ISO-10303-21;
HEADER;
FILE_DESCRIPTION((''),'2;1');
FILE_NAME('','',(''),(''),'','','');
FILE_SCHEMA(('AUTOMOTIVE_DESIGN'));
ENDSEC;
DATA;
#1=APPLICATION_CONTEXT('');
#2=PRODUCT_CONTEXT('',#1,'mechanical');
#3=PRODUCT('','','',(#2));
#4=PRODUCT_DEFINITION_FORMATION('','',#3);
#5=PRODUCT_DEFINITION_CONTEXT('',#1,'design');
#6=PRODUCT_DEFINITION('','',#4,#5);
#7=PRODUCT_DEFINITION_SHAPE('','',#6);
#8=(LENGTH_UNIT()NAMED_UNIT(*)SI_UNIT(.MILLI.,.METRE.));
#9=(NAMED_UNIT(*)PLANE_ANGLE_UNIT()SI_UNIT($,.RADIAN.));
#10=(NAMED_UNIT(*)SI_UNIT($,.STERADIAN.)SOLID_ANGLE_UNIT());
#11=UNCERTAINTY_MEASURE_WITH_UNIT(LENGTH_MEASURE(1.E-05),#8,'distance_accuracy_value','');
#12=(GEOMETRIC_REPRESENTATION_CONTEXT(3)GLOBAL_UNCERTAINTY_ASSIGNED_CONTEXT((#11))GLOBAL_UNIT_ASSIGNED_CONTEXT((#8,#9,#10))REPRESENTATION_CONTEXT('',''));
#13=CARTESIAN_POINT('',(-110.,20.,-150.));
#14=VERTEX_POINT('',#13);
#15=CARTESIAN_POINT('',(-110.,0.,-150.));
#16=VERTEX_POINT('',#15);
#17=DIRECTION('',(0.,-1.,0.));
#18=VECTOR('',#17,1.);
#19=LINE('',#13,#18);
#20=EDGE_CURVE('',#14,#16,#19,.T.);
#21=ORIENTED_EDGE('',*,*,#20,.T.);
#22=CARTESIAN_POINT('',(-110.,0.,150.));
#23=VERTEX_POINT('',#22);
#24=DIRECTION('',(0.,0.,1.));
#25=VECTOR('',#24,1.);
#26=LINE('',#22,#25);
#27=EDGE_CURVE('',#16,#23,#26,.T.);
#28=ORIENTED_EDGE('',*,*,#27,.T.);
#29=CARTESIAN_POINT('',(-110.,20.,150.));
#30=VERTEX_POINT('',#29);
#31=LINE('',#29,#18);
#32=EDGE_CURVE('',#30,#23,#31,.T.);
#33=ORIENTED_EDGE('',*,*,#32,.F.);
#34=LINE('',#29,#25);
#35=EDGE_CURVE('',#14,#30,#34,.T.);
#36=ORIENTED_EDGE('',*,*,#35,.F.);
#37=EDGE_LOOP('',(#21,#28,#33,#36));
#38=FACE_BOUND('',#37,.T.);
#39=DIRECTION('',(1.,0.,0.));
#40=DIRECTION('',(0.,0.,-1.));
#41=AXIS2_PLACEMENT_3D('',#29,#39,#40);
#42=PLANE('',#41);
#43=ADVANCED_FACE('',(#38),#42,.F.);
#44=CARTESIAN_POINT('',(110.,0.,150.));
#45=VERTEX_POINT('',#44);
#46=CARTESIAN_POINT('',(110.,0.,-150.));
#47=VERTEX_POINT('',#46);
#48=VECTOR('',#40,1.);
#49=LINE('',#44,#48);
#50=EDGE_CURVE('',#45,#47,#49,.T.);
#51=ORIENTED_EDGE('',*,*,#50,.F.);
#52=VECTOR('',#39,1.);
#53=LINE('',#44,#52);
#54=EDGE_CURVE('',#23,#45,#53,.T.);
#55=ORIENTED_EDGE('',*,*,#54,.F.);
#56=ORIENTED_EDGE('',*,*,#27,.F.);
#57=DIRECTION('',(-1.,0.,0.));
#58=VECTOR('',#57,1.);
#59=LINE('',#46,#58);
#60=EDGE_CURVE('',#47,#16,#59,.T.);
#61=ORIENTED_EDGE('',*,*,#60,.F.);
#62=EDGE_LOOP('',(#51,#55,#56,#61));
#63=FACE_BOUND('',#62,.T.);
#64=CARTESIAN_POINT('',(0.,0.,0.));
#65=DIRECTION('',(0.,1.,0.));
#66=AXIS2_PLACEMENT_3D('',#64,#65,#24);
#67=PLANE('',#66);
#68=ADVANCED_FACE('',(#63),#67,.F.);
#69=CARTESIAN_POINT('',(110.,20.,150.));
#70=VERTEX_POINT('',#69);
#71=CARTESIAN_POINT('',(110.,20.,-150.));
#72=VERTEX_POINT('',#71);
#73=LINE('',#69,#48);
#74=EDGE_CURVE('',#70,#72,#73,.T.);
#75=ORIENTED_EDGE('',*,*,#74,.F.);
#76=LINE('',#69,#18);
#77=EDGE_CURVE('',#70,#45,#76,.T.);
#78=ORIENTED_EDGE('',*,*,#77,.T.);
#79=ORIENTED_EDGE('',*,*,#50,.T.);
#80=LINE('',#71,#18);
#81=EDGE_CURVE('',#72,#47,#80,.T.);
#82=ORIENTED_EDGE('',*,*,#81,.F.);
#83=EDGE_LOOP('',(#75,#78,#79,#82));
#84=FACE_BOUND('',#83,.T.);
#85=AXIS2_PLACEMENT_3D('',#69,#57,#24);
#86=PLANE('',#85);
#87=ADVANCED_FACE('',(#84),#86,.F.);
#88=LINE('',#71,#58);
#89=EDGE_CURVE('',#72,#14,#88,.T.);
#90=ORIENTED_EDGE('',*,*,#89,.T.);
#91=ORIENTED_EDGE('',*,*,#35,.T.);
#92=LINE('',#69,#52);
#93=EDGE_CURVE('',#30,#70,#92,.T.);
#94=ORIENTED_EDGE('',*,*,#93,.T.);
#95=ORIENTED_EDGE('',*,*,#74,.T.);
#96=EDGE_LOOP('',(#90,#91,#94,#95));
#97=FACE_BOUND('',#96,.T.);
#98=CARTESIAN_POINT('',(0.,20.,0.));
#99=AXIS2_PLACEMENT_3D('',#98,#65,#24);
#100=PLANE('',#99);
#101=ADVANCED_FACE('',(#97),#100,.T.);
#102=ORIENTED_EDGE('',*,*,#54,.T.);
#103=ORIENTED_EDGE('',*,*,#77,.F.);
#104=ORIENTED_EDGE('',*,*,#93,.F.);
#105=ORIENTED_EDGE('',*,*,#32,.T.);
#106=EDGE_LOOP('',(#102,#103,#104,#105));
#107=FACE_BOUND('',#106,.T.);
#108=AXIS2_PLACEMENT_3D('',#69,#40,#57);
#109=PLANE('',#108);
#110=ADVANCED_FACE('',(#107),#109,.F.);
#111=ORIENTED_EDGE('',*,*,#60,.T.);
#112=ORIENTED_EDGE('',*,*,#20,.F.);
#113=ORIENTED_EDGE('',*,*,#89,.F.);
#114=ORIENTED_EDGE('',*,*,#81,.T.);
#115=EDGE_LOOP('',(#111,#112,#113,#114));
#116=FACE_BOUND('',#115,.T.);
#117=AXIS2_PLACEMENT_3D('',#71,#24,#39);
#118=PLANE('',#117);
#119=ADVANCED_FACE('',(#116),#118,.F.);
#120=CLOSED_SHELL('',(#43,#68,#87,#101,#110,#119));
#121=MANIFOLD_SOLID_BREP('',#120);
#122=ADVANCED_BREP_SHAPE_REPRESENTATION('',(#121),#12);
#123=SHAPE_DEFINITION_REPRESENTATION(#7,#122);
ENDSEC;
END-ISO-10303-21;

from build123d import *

# Parameters (mm, degrees)
SKETCH1_W           = 220
SKETCH1_H           = 300
BOSS_EXTRUDE1_DEPTH = 20


with BuildPart() as part:
    # Sketch1 → Boss-Extrude1 (new body)
    with BuildSketch(Plane(origin=(0, 0, 0), x_dir=(1, 0, 0), z_dir=(0, 1, 0))):
        Rectangle(SKETCH1_W, SKETCH1_H)
    extrude(amount=BOSS_EXTRUDE1_DEPTH)


solid = part.part
